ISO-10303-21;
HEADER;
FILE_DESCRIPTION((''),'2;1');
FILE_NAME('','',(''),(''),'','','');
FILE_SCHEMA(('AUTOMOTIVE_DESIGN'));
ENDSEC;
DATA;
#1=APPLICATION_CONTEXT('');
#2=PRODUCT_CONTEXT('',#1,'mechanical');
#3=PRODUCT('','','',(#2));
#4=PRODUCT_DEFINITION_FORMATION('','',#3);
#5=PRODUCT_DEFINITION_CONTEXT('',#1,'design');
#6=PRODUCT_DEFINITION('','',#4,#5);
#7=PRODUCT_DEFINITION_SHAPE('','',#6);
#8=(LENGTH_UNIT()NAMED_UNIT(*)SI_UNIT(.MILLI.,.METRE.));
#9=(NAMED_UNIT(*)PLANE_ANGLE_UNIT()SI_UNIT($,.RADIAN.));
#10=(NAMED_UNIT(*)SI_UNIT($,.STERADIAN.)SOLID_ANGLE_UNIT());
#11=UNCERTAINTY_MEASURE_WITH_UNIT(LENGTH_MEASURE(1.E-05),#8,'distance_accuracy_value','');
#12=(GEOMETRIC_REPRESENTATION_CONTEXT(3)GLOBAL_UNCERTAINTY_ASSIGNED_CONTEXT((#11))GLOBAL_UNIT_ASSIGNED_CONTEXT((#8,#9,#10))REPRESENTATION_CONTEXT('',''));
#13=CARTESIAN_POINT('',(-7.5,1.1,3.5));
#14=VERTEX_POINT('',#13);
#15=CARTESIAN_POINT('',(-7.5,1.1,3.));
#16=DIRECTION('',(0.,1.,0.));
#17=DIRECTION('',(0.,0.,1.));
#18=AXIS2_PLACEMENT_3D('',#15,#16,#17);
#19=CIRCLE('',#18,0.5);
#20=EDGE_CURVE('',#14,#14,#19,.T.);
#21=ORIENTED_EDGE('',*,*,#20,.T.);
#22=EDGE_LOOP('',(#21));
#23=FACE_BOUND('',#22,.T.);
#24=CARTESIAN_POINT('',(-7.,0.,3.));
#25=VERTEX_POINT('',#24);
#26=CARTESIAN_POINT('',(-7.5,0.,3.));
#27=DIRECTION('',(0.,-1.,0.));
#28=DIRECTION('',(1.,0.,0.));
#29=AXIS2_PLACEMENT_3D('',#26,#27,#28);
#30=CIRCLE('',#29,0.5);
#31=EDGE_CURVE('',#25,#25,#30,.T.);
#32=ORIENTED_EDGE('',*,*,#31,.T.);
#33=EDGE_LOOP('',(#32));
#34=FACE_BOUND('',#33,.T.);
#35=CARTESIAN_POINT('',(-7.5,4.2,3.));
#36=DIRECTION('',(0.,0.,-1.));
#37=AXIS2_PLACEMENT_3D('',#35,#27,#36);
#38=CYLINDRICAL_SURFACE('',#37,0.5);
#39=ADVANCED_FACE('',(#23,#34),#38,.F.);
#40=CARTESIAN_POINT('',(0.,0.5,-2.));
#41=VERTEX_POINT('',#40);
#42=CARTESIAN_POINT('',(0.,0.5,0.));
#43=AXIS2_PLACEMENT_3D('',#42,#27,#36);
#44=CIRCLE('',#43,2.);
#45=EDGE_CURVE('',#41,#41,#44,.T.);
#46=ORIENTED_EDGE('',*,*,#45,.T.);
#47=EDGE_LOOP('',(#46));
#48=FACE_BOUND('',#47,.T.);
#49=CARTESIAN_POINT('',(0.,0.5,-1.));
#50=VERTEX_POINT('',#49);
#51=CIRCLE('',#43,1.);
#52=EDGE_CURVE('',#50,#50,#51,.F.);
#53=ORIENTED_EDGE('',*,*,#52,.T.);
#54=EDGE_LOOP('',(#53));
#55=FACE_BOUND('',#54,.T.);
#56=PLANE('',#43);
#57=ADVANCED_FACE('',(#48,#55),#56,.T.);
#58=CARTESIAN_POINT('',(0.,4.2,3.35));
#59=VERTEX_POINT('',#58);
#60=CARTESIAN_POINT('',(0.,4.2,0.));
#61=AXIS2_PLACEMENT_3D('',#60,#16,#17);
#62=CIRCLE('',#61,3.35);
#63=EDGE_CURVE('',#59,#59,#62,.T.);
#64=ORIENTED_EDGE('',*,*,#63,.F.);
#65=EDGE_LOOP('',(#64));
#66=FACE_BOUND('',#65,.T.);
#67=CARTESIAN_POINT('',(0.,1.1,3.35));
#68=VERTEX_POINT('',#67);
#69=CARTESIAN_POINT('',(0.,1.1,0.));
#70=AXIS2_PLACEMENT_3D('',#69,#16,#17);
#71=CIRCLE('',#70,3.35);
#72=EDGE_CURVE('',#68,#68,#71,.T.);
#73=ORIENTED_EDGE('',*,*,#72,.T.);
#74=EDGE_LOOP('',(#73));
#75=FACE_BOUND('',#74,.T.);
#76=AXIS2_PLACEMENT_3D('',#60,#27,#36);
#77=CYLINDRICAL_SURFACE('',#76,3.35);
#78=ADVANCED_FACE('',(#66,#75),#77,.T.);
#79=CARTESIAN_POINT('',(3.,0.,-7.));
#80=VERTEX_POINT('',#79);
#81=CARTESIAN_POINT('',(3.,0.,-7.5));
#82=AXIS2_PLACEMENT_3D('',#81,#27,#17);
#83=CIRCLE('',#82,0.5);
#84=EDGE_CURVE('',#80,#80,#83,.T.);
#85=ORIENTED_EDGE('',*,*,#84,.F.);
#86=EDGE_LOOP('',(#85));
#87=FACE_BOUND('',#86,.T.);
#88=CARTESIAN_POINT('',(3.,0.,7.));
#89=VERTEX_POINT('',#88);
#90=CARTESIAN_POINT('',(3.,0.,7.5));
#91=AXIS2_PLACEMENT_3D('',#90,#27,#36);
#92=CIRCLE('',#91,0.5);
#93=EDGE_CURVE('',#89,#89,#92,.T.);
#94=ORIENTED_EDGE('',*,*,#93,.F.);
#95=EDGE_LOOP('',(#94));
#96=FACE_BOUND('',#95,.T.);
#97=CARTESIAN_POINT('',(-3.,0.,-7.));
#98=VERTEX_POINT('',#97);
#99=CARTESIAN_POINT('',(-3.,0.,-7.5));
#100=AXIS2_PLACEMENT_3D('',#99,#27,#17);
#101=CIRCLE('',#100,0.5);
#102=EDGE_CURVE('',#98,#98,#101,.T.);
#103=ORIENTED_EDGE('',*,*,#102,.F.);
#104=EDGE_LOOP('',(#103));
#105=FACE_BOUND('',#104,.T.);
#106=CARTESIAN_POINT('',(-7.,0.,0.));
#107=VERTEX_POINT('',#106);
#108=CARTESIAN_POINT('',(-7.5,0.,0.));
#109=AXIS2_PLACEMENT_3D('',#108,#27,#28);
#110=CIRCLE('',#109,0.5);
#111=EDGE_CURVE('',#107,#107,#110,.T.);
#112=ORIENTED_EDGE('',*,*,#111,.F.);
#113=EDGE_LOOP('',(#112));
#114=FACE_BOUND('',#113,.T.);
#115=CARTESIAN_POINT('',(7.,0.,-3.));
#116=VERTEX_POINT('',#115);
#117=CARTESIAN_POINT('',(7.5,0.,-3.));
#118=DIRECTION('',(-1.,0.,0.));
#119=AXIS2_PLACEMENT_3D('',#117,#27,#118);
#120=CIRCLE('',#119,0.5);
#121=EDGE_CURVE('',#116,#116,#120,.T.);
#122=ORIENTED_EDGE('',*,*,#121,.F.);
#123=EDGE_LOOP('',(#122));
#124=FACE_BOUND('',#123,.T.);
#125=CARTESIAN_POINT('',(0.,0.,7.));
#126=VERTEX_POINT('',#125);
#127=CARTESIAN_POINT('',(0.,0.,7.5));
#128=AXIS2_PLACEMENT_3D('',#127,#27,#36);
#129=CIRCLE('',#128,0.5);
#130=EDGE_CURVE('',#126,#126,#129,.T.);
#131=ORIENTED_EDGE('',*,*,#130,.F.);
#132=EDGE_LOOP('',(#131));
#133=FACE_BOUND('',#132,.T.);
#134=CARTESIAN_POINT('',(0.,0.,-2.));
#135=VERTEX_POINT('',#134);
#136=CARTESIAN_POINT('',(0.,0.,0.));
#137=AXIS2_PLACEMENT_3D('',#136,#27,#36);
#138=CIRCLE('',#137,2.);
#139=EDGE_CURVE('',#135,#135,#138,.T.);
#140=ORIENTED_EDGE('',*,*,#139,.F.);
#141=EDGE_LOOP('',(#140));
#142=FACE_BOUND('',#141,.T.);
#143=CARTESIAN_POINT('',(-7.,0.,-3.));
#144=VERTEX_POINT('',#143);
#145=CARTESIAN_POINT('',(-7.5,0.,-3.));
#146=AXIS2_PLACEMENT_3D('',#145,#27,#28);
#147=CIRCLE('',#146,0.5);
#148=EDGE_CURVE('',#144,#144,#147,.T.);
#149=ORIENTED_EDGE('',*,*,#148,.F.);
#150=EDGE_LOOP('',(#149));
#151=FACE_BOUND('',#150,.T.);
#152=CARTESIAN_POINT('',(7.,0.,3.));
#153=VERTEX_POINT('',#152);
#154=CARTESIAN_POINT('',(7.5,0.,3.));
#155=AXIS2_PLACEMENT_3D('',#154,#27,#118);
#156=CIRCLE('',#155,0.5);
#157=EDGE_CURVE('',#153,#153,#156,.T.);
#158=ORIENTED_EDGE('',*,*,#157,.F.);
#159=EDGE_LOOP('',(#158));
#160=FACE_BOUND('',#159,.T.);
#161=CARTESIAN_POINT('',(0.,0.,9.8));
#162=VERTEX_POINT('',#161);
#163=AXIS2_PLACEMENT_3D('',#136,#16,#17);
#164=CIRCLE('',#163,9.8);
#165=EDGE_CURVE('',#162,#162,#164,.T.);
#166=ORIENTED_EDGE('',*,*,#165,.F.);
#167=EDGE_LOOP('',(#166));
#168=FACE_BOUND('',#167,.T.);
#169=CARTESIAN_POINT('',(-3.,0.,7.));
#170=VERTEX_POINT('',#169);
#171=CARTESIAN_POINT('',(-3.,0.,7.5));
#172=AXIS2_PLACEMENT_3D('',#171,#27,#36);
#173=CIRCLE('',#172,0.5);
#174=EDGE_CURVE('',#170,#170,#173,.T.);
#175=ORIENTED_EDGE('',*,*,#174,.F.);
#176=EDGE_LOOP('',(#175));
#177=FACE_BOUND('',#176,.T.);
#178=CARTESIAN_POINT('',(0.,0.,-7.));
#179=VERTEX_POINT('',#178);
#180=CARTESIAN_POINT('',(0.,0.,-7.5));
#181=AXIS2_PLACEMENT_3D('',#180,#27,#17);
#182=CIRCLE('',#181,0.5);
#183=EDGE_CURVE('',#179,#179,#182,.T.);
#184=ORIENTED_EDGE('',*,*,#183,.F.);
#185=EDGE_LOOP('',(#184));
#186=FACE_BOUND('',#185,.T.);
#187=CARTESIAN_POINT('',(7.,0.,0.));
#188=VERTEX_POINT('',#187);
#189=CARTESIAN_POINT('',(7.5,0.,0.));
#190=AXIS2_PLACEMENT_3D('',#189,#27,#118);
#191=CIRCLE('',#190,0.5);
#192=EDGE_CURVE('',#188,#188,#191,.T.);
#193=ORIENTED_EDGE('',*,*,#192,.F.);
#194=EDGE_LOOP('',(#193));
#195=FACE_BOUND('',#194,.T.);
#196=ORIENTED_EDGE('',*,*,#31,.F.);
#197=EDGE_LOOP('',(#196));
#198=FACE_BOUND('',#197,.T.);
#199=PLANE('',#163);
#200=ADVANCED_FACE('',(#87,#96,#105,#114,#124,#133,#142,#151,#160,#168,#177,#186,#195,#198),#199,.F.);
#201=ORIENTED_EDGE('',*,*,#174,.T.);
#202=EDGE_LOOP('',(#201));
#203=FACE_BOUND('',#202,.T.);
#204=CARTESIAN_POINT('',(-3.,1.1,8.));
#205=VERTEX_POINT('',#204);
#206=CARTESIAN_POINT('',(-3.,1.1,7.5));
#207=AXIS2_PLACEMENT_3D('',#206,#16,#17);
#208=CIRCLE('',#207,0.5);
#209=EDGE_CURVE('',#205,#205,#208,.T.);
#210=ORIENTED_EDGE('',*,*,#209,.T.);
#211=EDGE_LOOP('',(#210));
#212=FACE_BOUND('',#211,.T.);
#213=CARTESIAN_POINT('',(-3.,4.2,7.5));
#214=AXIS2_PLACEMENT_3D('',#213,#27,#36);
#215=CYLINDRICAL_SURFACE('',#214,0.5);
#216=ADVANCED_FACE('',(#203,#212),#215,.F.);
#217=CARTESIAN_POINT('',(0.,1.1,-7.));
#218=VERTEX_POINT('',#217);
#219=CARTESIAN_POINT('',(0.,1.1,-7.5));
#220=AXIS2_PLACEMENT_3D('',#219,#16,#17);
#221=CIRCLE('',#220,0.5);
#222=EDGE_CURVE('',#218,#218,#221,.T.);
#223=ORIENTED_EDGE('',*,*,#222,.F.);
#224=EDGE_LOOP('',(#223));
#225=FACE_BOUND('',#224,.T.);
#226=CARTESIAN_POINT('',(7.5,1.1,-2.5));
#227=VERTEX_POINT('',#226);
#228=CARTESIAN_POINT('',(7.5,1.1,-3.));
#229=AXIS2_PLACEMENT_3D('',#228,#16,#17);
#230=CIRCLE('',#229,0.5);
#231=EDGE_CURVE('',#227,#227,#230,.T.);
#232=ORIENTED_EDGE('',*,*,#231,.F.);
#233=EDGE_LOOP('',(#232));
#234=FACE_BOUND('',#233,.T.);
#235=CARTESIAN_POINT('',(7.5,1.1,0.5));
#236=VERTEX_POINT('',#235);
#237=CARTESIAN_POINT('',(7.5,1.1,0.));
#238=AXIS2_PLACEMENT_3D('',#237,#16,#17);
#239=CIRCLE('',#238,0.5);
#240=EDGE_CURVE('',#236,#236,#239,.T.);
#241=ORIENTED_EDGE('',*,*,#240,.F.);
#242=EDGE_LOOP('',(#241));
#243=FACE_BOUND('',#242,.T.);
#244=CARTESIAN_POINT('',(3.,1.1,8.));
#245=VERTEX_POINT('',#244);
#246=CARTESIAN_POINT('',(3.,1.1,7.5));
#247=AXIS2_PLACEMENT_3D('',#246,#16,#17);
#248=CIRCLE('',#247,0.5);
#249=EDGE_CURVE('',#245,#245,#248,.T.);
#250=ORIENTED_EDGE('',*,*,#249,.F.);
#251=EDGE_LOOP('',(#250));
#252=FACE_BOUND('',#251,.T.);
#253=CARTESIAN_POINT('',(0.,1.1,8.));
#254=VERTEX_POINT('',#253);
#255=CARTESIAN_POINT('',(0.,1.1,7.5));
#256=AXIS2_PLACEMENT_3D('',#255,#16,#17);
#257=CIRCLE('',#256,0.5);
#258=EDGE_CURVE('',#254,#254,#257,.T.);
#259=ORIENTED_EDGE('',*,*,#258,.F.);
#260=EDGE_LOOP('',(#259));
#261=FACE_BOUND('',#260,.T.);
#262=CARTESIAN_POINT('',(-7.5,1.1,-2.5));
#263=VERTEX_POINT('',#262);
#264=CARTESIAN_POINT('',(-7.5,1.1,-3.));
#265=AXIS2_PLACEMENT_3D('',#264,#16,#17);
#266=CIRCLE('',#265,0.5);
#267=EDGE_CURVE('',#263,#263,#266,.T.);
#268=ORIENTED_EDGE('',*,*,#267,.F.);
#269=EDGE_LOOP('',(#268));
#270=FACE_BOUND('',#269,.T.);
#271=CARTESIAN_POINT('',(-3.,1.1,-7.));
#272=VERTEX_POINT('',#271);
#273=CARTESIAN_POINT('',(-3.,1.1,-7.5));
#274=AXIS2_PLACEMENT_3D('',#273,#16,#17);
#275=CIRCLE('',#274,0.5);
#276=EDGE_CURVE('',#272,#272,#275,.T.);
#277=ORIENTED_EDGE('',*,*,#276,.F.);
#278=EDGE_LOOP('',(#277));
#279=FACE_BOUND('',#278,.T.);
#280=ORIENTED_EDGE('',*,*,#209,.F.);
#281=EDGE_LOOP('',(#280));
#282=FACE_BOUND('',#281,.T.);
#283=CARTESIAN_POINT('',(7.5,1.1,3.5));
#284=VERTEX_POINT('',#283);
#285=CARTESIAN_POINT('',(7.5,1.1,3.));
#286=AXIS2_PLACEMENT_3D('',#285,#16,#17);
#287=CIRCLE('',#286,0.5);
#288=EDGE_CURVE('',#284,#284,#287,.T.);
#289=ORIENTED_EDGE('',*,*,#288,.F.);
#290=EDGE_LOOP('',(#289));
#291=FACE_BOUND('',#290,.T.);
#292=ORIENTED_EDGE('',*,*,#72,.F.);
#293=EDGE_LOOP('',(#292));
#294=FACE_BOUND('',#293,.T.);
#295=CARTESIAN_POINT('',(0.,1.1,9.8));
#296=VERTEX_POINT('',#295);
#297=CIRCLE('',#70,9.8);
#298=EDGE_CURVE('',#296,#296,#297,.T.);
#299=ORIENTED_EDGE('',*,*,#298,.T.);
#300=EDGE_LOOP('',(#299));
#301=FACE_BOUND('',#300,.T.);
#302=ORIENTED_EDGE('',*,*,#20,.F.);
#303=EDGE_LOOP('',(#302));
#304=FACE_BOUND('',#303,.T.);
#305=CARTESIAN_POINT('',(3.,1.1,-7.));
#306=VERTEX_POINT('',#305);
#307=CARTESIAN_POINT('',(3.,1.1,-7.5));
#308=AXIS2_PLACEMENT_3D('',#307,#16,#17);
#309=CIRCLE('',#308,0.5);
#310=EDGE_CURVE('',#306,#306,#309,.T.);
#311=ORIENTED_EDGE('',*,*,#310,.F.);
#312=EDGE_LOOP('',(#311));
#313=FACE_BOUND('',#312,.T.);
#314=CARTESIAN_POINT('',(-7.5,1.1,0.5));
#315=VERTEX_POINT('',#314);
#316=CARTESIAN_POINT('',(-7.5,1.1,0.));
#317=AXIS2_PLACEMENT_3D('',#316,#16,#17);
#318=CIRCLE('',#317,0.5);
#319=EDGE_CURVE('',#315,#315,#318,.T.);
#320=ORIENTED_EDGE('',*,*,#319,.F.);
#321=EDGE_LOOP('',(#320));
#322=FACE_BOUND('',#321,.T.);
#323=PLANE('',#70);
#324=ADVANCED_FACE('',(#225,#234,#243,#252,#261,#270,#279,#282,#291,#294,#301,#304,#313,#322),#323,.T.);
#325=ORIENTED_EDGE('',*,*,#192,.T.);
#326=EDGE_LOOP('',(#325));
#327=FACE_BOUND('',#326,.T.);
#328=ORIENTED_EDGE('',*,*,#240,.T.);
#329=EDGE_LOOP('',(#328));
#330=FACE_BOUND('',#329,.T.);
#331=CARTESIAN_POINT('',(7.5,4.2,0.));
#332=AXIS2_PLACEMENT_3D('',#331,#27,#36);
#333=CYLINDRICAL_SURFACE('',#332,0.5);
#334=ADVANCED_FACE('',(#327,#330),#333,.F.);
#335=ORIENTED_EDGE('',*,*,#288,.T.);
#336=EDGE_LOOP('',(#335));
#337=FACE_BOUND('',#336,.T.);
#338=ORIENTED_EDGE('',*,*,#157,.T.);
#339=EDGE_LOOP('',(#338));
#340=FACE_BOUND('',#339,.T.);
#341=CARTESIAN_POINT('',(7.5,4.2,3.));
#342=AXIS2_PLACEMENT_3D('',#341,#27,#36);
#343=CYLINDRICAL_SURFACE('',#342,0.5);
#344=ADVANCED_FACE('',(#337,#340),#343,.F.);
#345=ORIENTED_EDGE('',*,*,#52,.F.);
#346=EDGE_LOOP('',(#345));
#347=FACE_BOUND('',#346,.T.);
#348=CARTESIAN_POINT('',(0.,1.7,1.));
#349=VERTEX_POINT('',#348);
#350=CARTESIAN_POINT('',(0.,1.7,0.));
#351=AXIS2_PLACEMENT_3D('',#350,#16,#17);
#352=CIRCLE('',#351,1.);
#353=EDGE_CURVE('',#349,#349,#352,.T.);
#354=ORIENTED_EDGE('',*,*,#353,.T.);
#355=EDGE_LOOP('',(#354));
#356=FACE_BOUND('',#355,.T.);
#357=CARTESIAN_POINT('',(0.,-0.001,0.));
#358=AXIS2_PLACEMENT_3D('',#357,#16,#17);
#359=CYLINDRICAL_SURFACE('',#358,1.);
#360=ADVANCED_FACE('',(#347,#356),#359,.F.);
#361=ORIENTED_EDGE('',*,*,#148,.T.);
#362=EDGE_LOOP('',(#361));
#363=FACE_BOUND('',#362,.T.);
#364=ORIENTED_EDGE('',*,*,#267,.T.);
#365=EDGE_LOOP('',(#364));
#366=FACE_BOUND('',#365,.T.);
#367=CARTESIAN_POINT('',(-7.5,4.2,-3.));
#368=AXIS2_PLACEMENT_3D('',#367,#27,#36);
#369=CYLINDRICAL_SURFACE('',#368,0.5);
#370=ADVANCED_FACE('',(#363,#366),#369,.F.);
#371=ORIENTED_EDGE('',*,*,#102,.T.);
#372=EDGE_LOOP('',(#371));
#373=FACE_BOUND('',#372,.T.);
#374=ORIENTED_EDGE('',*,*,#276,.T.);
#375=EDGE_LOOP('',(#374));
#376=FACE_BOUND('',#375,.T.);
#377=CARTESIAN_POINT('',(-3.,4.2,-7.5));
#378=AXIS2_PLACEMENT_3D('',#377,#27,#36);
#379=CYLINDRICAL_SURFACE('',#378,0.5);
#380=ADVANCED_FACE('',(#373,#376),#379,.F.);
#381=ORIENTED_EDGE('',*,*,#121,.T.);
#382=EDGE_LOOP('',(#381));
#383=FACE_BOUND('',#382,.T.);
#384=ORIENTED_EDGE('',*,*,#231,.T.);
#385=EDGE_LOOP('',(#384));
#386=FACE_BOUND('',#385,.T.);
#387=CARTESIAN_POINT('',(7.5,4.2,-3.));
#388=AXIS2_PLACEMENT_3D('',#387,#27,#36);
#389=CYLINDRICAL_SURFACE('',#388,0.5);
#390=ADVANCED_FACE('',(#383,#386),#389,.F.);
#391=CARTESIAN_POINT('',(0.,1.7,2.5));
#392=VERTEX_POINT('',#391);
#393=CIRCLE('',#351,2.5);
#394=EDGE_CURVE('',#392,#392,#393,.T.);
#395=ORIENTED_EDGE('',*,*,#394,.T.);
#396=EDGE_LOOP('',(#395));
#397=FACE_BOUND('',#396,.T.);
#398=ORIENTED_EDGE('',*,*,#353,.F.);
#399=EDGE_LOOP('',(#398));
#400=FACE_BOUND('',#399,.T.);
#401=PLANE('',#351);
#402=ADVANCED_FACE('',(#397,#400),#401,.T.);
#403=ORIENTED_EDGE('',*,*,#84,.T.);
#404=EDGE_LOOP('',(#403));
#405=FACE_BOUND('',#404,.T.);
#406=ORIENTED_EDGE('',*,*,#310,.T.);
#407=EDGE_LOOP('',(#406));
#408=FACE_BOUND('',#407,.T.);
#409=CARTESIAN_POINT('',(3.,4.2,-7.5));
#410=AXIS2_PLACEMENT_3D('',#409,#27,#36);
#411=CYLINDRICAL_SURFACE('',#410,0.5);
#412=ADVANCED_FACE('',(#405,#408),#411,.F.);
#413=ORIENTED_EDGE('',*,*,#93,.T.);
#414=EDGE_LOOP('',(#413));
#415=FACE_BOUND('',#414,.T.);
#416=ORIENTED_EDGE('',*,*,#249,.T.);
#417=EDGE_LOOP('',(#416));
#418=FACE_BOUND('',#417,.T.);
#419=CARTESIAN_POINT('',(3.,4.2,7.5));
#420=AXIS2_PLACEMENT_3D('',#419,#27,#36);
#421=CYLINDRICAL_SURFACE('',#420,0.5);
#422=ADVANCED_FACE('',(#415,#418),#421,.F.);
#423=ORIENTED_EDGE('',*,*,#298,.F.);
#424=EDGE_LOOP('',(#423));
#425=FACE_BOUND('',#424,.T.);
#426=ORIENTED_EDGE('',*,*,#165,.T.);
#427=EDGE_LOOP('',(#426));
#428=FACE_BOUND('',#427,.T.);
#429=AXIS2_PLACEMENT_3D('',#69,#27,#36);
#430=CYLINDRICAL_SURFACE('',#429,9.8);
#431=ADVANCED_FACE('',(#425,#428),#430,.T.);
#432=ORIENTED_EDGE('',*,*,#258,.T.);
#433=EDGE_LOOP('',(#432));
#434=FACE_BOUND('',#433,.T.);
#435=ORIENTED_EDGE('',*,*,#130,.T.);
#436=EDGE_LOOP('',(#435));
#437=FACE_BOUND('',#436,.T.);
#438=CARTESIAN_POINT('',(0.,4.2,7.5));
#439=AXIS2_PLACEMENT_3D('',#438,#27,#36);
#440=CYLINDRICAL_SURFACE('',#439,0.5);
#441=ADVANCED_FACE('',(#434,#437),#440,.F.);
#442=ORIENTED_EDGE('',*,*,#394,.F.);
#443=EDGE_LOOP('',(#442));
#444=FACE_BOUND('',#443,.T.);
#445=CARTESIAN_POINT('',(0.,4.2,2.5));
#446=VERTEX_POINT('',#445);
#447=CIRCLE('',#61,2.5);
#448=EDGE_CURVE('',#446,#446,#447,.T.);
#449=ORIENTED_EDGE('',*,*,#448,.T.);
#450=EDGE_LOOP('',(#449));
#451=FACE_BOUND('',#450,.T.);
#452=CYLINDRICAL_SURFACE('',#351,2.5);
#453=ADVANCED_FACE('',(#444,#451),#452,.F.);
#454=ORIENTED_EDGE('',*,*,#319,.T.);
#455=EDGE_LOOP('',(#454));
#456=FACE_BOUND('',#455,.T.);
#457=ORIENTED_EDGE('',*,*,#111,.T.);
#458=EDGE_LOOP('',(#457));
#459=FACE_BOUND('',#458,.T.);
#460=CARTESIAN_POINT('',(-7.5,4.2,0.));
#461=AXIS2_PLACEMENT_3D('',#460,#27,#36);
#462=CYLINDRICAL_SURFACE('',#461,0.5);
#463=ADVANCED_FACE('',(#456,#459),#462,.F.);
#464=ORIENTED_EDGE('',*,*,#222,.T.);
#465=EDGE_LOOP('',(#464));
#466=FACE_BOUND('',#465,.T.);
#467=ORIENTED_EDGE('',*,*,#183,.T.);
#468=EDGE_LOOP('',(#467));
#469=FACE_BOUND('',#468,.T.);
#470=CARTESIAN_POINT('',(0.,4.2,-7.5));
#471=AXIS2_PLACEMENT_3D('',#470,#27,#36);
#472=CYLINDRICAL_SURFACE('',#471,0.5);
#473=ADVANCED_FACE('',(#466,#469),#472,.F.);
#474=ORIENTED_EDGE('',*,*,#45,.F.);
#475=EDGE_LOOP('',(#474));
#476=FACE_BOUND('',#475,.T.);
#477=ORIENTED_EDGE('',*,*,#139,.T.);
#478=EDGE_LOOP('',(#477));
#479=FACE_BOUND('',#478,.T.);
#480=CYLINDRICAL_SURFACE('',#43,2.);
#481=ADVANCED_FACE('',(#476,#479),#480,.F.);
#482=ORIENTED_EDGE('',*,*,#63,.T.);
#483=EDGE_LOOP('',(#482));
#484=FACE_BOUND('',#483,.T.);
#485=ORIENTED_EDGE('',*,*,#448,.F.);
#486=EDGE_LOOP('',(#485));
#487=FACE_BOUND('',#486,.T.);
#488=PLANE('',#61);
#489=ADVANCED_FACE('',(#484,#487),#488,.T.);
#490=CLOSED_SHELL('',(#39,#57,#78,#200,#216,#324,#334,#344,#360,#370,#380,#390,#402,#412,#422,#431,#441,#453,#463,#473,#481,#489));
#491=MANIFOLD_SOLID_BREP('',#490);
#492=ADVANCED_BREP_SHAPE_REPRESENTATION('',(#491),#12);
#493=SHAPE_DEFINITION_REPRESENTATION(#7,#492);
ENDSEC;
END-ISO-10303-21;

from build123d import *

# Parameters (mm, degrees)
SKETCH1_R           = 9.8
BOSS_EXTRUDE1_DEPTH = 1.1
SKETCH2_R           = 3.35
BOSS_EXTRUDE2_DEPTH = 3.1
SKETCH3_R           = 2.5
CUT_EXTRUDE1_DEPTH  = 2.5
CUT_EXTRUDE2_REACH  = 3.7
SKETCH4_R           = 1
SKETCH5_R           = 2
CUT_EXTRUDE3_DEPTH  = 0.5
SKETCH6_R           = 0.5
CUT_EXTRUDE4_DEPTH  = 5.2
CIRPATTERN1_COUNT   = 4


with BuildPart() as part:
    # Sketch1 → Boss-Extrude1 (new body)
    with BuildSketch(Plane(origin=(0, 0, 0), x_dir=(1, 0, 0), z_dir=(0, 1, 0))):
        Circle(SKETCH1_R)
    extrude(amount=BOSS_EXTRUDE1_DEPTH)

    # Sketch2 → Boss-Extrude2 (add)
    with BuildSketch(Plane(origin=(0, 1.1, 0), x_dir=(1, 0, 0), z_dir=(0, 1, 0))):
        Circle(SKETCH2_R)
    extrude(amount=BOSS_EXTRUDE2_DEPTH)

    # Sketch3 → Cut-Extrude1 (cut)
    with BuildSketch(Plane(origin=(0, 4.2, 0), x_dir=(1, 0, 0), z_dir=(0, 1, 0))):
        Circle(SKETCH3_R)
    extrude(amount=-CUT_EXTRUDE1_DEPTH, mode=Mode.SUBTRACT)

    # Sketch4 → Cut-Extrude2 (cut, up to next)
    with BuildSketch(Plane(origin=(0, 1.7, 0), x_dir=(1, 0, 0), z_dir=(0, 1, 0)), mode=Mode.PRIVATE) as cut_extrude2_sk1:
        Circle(SKETCH4_R)
    cut_extrude2_tool1 = extrude(cut_extrude2_sk1.sketch, amount=-CUT_EXTRUDE2_REACH, mode=Mode.PRIVATE) & part.part
    add(cut_extrude2_tool1.solids().sort_by_distance((0, 1.7, 0))[0], mode=Mode.SUBTRACT)

    # Sketch5 → Cut-Extrude3 (cut)
    with BuildSketch(Plane.XZ):
        Circle(SKETCH5_R)
    extrude(amount=-CUT_EXTRUDE3_DEPTH, mode=Mode.SUBTRACT)

    # Sketch6 → Cut-Extrude4 (cut, through all)
    with BuildSketch(Plane.XZ):
        with Locations((-3, 7.5)):
            Circle(SKETCH6_R)
        with Locations((0, 7.5)):
            Circle(SKETCH6_R)
        with Locations((3, 7.5)):
            Circle(SKETCH6_R)
    cut_extrude4 = extrude(amount=-CUT_EXTRUDE4_DEPTH, mode=Mode.SUBTRACT)

    # CirPattern1: Cut-Extrude4 ×4 about axis
    cirpattern1_axis = Axis((0, 0, 0), (0, 1, 0))
    for i in range(1, CIRPATTERN1_COUNT):
        add(cut_extrude4.rotate(cirpattern1_axis, i * 360 / CIRPATTERN1_COUNT), mode=Mode.SUBTRACT)


solid = part.part
